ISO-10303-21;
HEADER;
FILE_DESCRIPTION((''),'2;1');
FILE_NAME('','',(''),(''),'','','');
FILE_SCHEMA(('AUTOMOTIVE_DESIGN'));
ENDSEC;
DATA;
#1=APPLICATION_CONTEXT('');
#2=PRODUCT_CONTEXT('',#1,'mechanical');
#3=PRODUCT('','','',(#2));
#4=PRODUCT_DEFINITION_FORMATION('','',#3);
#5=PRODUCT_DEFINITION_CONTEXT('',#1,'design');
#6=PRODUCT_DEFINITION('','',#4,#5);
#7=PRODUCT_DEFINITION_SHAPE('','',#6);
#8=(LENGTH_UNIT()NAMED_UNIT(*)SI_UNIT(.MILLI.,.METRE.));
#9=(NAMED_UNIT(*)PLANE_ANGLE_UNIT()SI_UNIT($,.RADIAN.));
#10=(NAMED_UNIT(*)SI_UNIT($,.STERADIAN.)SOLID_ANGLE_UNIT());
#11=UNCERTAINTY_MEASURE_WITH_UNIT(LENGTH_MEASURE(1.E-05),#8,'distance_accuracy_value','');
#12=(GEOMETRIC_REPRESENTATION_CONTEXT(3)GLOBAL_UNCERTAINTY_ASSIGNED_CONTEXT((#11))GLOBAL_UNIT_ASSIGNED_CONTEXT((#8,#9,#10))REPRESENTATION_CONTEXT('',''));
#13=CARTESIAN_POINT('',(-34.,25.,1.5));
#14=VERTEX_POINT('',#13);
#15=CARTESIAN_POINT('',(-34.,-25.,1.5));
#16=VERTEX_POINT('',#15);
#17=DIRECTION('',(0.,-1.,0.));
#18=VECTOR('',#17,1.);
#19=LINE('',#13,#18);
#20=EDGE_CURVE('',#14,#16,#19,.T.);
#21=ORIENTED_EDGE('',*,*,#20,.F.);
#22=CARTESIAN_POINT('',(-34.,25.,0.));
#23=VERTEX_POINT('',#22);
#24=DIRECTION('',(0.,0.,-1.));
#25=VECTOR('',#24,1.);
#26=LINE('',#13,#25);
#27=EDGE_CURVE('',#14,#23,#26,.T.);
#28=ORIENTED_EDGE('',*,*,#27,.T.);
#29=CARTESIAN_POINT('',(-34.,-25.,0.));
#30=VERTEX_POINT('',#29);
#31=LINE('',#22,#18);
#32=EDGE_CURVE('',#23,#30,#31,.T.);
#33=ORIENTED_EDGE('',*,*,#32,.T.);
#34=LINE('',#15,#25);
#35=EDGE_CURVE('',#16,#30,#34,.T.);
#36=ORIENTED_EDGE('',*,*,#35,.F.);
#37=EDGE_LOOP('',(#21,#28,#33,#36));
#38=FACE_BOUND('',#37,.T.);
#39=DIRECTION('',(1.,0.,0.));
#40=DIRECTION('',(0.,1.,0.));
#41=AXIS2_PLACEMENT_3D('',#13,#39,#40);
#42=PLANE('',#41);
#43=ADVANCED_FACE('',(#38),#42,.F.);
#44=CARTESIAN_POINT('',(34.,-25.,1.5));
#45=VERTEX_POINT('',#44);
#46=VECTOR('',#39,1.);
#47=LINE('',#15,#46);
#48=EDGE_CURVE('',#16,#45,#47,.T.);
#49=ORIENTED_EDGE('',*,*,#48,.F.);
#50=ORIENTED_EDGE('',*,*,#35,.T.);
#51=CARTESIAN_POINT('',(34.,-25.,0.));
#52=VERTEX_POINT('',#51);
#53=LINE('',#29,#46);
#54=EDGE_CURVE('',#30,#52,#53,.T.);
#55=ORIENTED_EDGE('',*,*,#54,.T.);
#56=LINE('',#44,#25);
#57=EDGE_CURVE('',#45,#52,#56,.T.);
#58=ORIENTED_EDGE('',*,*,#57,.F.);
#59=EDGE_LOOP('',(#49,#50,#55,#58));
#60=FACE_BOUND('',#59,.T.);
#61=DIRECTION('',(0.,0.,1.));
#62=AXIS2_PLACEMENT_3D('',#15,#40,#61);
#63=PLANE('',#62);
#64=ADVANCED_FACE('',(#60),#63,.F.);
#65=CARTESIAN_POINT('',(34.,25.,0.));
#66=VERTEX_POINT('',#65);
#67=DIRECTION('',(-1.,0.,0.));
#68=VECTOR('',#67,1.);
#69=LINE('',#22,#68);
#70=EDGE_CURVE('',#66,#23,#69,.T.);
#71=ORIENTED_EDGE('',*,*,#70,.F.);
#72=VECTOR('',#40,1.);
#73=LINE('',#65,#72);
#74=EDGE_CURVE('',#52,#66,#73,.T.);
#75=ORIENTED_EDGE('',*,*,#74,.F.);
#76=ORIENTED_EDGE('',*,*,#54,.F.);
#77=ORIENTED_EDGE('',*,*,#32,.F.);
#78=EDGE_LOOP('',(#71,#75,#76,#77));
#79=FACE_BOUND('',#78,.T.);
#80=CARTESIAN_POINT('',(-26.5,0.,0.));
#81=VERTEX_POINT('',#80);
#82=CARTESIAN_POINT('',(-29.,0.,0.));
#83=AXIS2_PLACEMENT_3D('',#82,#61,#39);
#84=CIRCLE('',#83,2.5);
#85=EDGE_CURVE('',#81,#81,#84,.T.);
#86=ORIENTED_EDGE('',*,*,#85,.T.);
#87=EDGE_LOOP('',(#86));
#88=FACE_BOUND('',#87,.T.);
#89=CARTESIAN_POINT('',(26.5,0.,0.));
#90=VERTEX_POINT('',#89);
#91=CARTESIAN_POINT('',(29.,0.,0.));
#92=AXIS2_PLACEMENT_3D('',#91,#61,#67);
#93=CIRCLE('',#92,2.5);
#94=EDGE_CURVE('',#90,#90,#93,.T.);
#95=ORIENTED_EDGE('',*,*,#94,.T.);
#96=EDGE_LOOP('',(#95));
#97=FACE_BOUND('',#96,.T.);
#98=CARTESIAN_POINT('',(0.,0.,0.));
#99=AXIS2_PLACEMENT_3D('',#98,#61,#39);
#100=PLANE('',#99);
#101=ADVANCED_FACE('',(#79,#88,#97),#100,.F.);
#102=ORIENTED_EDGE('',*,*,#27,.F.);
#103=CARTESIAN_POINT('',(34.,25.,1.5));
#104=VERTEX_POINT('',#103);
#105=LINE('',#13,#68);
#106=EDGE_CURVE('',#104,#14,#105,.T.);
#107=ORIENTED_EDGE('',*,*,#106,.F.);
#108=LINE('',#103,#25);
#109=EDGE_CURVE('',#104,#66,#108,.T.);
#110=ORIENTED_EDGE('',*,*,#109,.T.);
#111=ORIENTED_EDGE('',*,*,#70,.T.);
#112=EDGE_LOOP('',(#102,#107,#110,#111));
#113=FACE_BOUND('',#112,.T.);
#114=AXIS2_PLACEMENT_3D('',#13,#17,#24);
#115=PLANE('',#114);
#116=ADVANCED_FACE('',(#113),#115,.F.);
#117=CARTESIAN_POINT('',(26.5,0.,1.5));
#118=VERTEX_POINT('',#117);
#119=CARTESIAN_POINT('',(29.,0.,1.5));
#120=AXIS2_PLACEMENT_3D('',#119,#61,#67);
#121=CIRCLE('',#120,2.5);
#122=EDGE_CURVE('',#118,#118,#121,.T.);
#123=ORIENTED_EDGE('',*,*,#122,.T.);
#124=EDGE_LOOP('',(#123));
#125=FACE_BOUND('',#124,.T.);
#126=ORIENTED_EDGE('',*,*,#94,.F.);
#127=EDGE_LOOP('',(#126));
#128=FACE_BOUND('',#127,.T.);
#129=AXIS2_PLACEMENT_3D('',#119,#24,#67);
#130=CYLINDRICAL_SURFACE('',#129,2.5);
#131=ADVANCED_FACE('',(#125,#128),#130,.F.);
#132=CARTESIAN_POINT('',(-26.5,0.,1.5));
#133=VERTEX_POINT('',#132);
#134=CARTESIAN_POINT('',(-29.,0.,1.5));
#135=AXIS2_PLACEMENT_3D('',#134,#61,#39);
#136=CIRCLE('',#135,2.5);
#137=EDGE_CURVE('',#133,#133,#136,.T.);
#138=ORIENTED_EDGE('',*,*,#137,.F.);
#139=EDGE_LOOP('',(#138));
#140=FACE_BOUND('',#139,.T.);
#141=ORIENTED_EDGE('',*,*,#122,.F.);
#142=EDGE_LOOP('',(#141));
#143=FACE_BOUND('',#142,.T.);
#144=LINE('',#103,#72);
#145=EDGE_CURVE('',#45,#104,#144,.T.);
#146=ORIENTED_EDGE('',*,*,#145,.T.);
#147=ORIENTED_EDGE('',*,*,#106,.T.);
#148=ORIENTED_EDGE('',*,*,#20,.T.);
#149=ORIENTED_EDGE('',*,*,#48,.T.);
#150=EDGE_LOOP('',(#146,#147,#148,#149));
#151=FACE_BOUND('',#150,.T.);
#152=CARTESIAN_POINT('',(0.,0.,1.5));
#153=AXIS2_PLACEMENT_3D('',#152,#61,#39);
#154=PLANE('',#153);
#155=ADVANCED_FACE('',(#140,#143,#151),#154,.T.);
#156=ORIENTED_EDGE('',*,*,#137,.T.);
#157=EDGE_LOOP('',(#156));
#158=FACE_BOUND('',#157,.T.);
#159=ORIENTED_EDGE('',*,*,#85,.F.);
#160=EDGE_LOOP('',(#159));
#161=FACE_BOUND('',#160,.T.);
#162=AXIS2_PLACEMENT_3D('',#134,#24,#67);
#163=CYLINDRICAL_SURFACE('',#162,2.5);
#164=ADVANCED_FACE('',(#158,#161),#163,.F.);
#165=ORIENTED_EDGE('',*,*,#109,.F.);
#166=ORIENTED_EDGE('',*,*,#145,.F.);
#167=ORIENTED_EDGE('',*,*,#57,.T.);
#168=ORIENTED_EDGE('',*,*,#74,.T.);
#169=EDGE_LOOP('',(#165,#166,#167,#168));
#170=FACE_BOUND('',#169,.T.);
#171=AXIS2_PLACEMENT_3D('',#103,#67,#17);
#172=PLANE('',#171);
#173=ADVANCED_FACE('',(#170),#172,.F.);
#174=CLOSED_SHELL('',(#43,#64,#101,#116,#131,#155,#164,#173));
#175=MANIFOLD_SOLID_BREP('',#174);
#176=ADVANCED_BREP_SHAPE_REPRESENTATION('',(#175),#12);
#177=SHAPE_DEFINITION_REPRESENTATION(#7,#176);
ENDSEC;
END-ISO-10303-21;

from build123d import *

# Parameters (mm, degrees)
SKETCH_1_W      = 68
SKETCH_1_H      = 50
SKETCH_1_R      = 2.5
EXTRUDE_1_DEPTH = 1.5


with BuildPart() as part:
    # ｽｹｯﾁ1 → ﾎﾞｽ - 押し出し1 (new body)
    with BuildSketch(Plane.XY):
        Rectangle(SKETCH_1_W, SKETCH_1_H)
        with Locations((-29, 0)):
            Circle(SKETCH_1_R, mode=Mode.SUBTRACT)
        with Locations(Location((29, 0, 0), (0, 0, 180))):
            Circle(SKETCH_1_R, mode=Mode.SUBTRACT)
    extrude(amount=EXTRUDE_1_DEPTH)


solid = part.part
